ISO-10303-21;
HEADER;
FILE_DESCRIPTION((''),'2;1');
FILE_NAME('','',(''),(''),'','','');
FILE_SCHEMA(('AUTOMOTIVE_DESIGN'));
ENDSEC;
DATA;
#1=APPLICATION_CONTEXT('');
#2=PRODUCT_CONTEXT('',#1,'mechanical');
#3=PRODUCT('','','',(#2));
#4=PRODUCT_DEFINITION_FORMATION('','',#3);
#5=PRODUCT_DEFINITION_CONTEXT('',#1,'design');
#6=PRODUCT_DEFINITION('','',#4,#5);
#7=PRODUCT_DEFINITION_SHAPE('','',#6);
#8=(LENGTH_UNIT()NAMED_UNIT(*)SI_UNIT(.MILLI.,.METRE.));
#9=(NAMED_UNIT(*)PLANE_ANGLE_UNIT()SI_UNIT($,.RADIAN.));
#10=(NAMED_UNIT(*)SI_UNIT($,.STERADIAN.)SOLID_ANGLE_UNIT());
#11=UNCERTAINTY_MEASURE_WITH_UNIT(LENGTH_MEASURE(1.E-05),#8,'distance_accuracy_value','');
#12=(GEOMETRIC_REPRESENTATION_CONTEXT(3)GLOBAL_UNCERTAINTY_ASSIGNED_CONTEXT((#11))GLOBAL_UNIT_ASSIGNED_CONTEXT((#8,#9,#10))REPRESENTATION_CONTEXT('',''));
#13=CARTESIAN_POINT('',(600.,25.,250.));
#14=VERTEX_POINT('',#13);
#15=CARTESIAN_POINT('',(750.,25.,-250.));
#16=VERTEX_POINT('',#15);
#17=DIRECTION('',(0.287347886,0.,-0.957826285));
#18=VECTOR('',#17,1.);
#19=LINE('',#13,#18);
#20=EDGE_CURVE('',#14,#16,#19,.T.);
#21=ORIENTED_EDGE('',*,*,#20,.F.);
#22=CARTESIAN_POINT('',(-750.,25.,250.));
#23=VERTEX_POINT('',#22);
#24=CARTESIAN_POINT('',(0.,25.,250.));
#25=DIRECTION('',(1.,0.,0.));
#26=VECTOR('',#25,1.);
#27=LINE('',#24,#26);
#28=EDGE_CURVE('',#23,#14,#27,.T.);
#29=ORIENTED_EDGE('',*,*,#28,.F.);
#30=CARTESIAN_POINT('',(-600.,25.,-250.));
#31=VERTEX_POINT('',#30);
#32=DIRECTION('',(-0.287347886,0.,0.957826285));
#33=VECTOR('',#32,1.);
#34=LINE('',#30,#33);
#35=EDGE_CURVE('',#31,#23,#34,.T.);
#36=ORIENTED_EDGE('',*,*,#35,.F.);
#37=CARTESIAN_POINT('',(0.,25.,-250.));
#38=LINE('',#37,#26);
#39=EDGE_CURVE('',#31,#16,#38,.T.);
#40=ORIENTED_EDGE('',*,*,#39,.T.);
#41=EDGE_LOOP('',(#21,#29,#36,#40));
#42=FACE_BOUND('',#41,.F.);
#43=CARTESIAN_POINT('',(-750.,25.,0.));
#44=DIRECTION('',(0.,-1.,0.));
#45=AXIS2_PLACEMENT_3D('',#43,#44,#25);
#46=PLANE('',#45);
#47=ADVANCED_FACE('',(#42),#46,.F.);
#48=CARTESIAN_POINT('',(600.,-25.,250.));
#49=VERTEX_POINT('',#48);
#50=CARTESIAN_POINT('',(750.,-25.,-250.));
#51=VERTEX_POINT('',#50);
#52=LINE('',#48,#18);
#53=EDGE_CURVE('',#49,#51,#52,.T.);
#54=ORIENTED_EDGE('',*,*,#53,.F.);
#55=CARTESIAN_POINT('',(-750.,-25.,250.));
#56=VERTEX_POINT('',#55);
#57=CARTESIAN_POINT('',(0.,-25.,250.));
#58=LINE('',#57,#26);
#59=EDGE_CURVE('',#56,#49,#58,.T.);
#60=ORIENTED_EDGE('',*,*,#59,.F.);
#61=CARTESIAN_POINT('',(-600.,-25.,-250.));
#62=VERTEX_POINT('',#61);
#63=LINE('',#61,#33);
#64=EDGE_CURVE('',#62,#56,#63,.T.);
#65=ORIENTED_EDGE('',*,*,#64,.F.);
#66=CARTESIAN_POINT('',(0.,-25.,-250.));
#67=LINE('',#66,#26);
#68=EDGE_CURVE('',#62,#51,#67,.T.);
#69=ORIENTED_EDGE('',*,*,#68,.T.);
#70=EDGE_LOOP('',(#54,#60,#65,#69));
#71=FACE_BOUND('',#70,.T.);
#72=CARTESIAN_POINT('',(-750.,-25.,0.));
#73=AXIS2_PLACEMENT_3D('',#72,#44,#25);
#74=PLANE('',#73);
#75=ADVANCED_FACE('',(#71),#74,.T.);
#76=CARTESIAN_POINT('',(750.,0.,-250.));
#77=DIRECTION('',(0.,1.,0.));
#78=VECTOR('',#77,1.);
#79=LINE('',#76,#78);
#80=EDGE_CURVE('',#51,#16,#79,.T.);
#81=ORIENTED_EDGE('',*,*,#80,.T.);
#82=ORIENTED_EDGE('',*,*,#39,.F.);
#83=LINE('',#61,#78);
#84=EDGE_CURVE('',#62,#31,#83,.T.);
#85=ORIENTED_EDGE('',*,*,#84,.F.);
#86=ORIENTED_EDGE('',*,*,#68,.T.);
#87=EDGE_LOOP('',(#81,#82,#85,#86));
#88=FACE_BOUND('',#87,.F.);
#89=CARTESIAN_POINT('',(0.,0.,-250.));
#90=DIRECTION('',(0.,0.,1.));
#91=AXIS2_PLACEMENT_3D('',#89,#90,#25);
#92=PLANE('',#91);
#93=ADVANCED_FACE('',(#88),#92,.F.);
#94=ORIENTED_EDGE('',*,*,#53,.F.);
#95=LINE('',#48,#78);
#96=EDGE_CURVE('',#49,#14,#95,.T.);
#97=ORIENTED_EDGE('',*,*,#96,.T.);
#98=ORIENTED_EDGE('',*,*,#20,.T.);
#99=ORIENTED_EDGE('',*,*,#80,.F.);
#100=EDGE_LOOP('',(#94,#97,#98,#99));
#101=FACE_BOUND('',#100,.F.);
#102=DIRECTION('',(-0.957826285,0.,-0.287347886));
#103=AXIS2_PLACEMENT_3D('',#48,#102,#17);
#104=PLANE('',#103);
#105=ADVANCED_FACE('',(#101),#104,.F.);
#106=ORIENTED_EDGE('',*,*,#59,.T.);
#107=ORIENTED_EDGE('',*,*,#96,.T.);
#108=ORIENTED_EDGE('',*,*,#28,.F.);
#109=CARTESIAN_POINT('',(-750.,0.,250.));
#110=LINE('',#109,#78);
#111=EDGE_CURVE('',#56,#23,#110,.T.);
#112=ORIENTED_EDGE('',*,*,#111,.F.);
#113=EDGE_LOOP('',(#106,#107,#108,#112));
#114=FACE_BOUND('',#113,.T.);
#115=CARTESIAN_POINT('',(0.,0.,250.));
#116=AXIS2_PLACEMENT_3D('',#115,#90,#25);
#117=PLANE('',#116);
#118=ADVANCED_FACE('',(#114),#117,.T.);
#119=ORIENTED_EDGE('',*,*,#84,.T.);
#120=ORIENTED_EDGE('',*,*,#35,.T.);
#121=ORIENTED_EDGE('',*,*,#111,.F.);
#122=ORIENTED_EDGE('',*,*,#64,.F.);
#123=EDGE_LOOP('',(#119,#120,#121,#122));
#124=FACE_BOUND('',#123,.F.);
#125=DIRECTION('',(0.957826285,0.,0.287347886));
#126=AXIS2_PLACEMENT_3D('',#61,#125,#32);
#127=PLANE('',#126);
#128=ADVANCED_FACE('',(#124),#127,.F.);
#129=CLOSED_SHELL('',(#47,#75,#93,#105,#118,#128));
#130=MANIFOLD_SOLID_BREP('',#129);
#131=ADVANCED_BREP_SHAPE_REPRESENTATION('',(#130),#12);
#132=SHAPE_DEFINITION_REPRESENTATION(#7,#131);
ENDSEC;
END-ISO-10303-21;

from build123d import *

# Parameters (mm, degrees)
F0_W     = 1500
F0_H     = 50
F1_DEPTH = 250
F3_DEPTH = 50


with BuildPart() as f1:
    # F0 (on Top) → F1 (new body, symmetric)
    with BuildSketch(Plane.XY):
        Rectangle(F0_W, F0_H)
    extrude(amount=F1_DEPTH, both=True)

    # F2 (on face) → F3 (cut, through all)
    with BuildSketch(Plane.XZ.offset(25)):
        Polygon((-600, -250), (-750, 250), (-750, -250), align=None)
        Polygon((600, 250), (750, -250), (750, 250), align=None)
    extrude(amount=-F3_DEPTH, mode=Mode.SUBTRACT)


solid = f1.part
